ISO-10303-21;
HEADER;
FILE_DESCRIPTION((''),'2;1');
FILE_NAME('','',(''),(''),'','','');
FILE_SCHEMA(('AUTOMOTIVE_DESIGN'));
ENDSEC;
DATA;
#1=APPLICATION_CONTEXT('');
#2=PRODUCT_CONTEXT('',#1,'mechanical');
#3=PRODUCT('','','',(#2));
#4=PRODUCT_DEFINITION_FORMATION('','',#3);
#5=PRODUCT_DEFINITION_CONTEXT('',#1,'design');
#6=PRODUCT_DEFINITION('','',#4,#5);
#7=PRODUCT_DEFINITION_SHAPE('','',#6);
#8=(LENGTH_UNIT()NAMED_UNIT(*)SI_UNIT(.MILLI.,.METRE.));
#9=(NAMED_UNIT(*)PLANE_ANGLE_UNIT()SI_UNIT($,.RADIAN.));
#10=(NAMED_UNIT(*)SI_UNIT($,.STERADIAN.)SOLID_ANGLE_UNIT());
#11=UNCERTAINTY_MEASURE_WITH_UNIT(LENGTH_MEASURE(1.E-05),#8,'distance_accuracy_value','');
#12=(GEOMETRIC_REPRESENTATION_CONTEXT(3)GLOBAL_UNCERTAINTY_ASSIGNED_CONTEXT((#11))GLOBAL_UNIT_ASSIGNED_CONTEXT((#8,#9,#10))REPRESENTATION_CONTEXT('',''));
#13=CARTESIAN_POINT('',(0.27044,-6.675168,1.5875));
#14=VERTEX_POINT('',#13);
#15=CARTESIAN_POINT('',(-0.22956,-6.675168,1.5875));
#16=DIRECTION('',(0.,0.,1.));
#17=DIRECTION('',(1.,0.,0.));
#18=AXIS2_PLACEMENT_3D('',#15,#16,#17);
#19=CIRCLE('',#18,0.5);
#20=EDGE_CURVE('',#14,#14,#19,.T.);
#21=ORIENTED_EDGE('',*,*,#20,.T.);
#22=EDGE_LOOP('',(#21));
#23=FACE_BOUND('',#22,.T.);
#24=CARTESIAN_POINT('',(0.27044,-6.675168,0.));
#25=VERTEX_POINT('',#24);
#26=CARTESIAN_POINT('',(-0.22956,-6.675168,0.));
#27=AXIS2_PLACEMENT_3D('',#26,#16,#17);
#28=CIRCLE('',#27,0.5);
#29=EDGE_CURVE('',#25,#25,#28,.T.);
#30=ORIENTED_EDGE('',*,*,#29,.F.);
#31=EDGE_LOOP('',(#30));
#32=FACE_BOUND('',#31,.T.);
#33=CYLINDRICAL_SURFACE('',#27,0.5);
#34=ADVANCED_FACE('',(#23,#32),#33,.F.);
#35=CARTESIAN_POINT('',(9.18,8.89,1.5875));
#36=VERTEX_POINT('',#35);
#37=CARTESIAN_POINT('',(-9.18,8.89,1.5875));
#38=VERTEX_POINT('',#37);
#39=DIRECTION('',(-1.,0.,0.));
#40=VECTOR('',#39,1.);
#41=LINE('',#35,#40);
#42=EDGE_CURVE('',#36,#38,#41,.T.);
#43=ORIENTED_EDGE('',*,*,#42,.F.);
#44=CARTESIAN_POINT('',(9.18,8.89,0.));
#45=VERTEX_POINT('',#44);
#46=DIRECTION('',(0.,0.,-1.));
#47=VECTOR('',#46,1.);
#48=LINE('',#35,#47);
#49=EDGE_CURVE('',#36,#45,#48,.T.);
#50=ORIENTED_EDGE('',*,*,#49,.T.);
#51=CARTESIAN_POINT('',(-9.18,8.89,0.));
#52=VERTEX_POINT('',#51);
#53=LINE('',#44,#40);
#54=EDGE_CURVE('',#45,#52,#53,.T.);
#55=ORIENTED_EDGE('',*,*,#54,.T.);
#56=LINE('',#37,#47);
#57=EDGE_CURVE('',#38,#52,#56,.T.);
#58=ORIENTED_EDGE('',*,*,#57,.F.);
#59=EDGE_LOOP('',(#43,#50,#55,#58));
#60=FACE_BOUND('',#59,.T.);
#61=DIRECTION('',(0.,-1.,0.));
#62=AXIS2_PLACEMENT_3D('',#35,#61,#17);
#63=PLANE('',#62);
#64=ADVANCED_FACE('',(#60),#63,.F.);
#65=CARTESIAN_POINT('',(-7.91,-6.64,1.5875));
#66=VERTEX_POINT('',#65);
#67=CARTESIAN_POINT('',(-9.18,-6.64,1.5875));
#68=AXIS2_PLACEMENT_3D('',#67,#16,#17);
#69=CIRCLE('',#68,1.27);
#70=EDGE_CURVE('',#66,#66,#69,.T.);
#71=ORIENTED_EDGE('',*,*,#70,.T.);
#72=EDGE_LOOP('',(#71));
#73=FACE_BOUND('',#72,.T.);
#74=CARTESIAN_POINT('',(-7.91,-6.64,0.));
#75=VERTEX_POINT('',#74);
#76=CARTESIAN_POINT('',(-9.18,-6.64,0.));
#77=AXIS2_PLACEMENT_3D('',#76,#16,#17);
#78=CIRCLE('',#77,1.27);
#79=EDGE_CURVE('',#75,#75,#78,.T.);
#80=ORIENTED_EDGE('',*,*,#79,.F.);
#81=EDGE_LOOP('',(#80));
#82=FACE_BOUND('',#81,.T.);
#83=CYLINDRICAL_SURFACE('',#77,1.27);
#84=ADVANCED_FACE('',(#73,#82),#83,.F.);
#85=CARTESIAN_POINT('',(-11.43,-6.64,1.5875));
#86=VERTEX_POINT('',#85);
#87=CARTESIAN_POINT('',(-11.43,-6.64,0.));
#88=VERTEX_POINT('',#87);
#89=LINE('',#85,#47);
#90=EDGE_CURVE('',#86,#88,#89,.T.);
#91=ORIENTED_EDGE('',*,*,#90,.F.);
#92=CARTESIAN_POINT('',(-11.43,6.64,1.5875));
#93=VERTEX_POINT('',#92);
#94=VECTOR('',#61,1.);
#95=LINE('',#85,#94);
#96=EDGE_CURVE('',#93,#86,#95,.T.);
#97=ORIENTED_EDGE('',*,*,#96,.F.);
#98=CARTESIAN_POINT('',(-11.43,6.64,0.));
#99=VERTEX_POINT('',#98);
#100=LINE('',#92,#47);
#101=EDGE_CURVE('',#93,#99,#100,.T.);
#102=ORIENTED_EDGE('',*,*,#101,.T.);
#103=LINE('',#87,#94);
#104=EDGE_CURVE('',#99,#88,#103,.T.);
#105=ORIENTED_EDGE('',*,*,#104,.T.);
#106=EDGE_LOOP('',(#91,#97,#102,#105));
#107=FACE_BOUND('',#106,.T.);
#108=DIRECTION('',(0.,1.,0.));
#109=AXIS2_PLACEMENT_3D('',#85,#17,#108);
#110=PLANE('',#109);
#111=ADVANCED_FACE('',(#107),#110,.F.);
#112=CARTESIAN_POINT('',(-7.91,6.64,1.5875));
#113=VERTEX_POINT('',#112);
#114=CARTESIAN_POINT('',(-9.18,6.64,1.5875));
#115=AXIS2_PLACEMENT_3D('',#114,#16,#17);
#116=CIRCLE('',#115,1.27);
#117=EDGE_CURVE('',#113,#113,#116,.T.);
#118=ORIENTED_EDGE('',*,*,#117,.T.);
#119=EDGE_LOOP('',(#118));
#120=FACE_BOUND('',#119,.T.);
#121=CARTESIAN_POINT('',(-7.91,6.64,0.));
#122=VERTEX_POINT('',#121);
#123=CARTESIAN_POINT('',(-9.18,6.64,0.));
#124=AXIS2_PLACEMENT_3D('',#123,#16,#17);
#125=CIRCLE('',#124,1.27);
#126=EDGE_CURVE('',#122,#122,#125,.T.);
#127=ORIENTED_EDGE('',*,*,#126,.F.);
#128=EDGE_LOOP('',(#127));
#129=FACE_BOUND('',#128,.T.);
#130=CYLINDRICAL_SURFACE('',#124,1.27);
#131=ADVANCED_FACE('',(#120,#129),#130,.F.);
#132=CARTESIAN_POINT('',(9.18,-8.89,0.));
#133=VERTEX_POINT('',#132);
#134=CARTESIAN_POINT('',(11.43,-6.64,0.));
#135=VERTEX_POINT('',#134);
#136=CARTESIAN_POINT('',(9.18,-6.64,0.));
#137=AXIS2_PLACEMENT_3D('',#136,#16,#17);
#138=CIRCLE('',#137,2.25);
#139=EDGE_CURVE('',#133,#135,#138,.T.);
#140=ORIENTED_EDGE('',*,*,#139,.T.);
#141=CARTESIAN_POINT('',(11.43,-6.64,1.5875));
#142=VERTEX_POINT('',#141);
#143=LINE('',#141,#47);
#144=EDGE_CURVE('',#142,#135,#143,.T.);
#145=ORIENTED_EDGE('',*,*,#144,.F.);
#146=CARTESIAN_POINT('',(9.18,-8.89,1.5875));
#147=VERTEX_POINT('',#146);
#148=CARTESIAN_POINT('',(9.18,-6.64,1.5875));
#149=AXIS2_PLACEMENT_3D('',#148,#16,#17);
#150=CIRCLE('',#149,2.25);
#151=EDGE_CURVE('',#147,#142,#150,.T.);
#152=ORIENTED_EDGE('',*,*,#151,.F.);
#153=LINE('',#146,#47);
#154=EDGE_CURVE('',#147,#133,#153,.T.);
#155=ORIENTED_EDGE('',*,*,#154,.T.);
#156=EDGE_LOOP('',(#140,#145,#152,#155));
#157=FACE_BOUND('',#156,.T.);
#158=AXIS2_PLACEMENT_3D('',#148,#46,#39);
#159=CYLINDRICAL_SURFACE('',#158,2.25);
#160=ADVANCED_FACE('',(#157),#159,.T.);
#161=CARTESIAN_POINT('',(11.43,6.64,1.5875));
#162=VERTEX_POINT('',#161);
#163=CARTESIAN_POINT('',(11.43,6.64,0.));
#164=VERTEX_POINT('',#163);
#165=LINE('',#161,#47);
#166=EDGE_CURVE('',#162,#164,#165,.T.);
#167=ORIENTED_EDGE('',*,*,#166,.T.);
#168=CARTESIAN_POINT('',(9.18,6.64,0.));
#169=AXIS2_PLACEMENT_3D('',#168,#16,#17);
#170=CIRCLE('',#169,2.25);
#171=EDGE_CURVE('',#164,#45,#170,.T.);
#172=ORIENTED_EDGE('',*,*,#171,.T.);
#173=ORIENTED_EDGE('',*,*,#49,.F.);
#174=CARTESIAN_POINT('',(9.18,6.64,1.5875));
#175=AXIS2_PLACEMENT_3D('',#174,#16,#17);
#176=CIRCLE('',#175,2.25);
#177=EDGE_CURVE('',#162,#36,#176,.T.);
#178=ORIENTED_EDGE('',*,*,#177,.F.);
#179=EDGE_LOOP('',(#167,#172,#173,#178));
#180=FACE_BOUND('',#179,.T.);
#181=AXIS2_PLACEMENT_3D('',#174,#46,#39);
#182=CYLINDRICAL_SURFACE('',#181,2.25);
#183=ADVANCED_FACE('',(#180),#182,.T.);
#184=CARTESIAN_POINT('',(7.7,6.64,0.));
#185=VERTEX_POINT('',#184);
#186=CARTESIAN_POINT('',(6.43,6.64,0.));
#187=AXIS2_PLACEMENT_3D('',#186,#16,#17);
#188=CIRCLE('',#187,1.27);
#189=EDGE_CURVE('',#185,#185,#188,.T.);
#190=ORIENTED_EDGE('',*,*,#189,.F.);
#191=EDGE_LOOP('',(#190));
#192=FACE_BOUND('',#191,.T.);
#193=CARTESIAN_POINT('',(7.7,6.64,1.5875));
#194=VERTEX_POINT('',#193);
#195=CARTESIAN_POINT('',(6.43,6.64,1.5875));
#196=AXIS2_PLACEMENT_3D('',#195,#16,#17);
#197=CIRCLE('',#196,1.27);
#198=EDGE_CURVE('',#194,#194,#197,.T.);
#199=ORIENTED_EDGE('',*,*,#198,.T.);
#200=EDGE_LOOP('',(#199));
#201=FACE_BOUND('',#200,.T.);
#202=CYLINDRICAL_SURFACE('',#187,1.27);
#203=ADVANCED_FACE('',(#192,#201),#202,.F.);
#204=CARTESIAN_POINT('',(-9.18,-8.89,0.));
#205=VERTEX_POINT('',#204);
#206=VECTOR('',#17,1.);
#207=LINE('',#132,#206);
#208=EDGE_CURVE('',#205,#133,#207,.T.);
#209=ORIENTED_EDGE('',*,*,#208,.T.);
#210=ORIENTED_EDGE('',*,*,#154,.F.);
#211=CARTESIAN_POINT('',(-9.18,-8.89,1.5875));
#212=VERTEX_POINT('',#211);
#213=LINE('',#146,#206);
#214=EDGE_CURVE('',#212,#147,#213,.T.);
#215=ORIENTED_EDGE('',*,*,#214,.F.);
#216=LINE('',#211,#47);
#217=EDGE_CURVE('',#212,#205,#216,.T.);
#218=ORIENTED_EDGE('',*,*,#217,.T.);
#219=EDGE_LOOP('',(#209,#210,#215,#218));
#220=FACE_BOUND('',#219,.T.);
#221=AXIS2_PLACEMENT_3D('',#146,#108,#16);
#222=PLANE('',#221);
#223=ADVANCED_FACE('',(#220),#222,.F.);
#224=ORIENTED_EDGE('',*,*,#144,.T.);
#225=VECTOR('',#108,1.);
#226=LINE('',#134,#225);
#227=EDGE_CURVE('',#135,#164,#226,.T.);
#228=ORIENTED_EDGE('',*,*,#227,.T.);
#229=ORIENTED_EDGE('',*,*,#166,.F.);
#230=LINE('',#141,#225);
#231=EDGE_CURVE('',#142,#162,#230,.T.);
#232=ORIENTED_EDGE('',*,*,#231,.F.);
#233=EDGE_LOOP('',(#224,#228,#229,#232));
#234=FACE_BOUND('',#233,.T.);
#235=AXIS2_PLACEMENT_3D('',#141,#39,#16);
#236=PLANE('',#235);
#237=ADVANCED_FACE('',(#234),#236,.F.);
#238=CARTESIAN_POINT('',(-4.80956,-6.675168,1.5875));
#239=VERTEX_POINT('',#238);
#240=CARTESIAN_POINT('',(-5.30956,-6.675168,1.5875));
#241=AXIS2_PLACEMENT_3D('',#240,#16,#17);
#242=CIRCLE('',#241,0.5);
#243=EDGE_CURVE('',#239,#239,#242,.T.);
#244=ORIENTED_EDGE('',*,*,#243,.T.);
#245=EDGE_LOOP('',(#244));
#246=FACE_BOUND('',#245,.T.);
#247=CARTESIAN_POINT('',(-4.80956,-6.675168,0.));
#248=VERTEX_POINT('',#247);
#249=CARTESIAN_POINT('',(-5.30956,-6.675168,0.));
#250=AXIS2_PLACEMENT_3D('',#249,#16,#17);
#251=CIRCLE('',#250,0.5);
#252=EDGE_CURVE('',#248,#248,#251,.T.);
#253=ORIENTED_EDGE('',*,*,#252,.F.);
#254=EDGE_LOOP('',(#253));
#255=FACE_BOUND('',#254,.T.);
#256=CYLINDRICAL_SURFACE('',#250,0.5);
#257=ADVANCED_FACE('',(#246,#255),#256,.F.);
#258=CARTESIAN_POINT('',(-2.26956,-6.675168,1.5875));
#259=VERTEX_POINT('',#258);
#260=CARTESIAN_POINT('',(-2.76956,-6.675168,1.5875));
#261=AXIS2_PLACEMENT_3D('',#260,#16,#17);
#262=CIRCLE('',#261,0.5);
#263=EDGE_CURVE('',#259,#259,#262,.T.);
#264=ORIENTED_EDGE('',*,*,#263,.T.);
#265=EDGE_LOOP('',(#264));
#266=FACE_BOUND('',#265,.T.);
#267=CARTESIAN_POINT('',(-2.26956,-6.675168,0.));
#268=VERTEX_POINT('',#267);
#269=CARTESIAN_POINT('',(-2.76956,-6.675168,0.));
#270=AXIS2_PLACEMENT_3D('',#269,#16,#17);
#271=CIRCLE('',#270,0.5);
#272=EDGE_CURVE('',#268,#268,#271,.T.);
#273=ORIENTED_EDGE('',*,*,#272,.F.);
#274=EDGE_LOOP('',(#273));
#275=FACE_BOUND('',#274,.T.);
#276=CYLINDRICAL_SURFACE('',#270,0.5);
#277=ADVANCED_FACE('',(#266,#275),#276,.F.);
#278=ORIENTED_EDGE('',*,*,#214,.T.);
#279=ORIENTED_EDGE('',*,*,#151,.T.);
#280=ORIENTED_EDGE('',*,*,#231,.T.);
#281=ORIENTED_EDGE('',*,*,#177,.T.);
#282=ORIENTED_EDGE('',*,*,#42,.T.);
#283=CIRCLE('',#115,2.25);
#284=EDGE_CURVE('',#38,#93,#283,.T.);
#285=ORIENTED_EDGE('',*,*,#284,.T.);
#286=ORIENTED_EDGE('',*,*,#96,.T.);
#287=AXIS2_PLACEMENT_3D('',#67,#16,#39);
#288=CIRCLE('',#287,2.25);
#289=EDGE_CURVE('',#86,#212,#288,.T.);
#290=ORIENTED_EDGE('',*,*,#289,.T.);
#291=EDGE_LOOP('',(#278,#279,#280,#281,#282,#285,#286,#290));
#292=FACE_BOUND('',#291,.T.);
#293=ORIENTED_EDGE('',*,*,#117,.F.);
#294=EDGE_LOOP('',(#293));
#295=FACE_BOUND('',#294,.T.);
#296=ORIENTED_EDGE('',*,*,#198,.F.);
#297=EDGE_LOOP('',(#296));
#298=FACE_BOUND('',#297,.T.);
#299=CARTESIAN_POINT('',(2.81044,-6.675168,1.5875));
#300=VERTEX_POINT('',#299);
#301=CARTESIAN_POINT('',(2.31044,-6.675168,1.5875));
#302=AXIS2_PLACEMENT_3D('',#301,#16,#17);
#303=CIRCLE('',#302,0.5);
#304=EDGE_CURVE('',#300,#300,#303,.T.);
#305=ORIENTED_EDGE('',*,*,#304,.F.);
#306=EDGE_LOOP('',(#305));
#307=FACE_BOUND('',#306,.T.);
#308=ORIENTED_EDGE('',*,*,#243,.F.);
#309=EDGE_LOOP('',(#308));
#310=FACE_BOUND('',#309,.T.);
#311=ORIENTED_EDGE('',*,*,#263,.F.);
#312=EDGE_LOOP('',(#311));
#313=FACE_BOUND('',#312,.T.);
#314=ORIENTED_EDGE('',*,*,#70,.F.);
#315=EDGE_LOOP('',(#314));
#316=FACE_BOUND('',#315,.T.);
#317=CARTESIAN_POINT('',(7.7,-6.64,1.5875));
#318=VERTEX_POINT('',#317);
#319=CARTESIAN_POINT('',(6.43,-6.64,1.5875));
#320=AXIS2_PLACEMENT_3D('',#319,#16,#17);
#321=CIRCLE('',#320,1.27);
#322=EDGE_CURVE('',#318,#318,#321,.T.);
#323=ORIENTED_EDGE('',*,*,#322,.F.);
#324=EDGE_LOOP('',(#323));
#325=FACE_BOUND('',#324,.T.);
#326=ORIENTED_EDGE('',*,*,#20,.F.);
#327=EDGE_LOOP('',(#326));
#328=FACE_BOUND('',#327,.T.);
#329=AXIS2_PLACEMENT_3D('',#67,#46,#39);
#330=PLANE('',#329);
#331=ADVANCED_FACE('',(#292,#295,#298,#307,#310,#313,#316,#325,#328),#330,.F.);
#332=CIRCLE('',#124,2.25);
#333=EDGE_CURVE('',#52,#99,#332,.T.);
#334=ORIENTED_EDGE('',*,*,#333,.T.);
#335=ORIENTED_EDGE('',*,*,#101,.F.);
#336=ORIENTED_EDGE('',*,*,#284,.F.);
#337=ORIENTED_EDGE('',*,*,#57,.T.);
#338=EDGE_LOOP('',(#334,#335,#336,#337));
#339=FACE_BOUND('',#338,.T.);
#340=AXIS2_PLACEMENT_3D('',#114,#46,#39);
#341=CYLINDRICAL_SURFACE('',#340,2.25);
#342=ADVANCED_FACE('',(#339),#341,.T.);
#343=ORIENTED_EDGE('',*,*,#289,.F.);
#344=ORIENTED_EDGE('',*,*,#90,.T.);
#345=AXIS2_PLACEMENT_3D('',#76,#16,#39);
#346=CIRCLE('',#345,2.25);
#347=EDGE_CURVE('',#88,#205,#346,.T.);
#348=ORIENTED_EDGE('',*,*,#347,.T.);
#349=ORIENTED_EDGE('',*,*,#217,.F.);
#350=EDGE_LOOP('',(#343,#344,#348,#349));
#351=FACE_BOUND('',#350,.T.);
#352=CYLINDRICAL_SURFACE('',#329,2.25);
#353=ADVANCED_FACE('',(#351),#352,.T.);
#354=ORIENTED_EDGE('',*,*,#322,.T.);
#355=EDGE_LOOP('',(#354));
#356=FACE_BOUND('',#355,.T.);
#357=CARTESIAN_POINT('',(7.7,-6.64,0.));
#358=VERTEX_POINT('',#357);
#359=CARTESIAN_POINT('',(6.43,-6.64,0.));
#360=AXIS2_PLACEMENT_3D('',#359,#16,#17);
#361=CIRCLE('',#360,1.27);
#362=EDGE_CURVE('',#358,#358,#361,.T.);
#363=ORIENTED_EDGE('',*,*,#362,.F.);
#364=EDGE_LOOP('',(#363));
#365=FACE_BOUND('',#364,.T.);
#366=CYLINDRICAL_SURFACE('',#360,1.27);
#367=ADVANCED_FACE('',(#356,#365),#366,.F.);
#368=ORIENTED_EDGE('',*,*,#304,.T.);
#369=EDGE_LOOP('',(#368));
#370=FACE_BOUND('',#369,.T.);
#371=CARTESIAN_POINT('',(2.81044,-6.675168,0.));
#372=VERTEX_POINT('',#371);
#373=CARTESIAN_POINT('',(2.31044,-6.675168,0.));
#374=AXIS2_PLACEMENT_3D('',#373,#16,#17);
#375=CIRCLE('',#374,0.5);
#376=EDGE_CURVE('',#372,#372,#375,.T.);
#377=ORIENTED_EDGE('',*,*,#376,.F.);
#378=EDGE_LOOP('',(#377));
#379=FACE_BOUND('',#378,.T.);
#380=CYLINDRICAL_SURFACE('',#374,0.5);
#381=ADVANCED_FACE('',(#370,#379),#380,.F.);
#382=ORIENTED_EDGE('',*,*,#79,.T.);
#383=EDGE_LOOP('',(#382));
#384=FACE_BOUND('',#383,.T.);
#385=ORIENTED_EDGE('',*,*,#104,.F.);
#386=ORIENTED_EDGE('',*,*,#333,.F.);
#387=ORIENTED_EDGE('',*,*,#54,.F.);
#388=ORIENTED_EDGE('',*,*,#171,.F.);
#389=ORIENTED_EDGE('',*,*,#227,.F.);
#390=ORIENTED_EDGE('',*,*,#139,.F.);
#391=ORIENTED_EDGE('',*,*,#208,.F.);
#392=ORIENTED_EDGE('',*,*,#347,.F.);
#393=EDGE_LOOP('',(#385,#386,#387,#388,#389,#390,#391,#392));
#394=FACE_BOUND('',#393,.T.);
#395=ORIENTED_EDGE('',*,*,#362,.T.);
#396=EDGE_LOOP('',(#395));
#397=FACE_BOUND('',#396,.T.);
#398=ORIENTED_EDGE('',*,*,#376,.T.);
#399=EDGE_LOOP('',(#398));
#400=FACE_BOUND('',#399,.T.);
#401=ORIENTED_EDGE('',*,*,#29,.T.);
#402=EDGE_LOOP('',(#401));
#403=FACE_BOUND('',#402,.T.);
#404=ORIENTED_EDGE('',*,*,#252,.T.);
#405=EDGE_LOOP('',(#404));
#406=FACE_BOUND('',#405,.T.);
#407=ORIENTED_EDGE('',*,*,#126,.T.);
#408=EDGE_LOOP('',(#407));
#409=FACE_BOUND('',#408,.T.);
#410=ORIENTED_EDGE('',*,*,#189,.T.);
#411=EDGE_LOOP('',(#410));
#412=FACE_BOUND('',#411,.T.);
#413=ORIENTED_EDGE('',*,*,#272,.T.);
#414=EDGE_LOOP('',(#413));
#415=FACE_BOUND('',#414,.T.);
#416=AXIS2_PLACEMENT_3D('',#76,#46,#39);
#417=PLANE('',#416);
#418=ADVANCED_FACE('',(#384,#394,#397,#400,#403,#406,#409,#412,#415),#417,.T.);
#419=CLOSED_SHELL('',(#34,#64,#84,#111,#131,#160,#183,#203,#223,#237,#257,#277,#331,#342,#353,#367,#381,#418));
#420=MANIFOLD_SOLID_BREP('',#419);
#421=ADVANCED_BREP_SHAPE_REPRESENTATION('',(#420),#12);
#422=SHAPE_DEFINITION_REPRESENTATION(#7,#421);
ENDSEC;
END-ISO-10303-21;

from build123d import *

# Parameters (mm, degrees)
BOSS_EXTRUDE1_DEPTH = 1.5875
SKETCH2_R           = 1.27
SKETCH2_R_2         = 0.5
CUT_EXTRUDE1_DEPTH  = 15.566988579


with BuildPart() as part:
    # Sketch1 → Boss-Extrude1 (new body)
    with BuildSketch(Plane.XY):
        with BuildLine():
            Line((9.18, -8.89), (-9.18, -8.89))
            ThreePointArc((-9.18, -8.89), (-10.770990258, -8.230990258), (-11.43, -6.64))
            Line((-11.43, -6.64), (-11.43, 6.64))
            ThreePointArc((-11.43, 6.64), (-10.770990258, 8.230990258), (-9.18, 8.89))
            Line((-9.18, 8.89), (9.18, 8.89))
            ThreePointArc((9.18, 8.89), (10.770990258, 8.230990258), (11.43, 6.64))
            Line((11.43, 6.64), (11.43, -6.64))
            ThreePointArc((11.43, -6.64), (10.770990258, -8.230990258), (9.18, -8.89))
        make_face()
    extrude(amount=BOSS_EXTRUDE1_DEPTH)

    # Sketch2 → Cut-Extrude1 (cut, through all)
    with BuildSketch(Plane.XY.offset(1.5875)):
        with Locations((-9.18, 6.64)):
            Circle(SKETCH2_R)
        with Locations((6.43, 6.64)):
            Circle(SKETCH2_R)
        with Locations((6.43, -6.64)):
            Circle(SKETCH2_R)
        with Locations((-9.18, -6.64)):
            Circle(SKETCH2_R)
        with Locations((-5.309559509, -6.675167708)):
            Circle(SKETCH2_R_2)
        with Locations((-2.769559509, -6.675167708)):
            Circle(SKETCH2_R_2)
        with Locations((-0.229559509, -6.675167708)):
            Circle(SKETCH2_R_2)
        with Locations((2.310440491, -6.675167708)):
            Circle(SKETCH2_R_2)
    extrude(amount=-CUT_EXTRUDE1_DEPTH, mode=Mode.SUBTRACT)


solid = part.part
